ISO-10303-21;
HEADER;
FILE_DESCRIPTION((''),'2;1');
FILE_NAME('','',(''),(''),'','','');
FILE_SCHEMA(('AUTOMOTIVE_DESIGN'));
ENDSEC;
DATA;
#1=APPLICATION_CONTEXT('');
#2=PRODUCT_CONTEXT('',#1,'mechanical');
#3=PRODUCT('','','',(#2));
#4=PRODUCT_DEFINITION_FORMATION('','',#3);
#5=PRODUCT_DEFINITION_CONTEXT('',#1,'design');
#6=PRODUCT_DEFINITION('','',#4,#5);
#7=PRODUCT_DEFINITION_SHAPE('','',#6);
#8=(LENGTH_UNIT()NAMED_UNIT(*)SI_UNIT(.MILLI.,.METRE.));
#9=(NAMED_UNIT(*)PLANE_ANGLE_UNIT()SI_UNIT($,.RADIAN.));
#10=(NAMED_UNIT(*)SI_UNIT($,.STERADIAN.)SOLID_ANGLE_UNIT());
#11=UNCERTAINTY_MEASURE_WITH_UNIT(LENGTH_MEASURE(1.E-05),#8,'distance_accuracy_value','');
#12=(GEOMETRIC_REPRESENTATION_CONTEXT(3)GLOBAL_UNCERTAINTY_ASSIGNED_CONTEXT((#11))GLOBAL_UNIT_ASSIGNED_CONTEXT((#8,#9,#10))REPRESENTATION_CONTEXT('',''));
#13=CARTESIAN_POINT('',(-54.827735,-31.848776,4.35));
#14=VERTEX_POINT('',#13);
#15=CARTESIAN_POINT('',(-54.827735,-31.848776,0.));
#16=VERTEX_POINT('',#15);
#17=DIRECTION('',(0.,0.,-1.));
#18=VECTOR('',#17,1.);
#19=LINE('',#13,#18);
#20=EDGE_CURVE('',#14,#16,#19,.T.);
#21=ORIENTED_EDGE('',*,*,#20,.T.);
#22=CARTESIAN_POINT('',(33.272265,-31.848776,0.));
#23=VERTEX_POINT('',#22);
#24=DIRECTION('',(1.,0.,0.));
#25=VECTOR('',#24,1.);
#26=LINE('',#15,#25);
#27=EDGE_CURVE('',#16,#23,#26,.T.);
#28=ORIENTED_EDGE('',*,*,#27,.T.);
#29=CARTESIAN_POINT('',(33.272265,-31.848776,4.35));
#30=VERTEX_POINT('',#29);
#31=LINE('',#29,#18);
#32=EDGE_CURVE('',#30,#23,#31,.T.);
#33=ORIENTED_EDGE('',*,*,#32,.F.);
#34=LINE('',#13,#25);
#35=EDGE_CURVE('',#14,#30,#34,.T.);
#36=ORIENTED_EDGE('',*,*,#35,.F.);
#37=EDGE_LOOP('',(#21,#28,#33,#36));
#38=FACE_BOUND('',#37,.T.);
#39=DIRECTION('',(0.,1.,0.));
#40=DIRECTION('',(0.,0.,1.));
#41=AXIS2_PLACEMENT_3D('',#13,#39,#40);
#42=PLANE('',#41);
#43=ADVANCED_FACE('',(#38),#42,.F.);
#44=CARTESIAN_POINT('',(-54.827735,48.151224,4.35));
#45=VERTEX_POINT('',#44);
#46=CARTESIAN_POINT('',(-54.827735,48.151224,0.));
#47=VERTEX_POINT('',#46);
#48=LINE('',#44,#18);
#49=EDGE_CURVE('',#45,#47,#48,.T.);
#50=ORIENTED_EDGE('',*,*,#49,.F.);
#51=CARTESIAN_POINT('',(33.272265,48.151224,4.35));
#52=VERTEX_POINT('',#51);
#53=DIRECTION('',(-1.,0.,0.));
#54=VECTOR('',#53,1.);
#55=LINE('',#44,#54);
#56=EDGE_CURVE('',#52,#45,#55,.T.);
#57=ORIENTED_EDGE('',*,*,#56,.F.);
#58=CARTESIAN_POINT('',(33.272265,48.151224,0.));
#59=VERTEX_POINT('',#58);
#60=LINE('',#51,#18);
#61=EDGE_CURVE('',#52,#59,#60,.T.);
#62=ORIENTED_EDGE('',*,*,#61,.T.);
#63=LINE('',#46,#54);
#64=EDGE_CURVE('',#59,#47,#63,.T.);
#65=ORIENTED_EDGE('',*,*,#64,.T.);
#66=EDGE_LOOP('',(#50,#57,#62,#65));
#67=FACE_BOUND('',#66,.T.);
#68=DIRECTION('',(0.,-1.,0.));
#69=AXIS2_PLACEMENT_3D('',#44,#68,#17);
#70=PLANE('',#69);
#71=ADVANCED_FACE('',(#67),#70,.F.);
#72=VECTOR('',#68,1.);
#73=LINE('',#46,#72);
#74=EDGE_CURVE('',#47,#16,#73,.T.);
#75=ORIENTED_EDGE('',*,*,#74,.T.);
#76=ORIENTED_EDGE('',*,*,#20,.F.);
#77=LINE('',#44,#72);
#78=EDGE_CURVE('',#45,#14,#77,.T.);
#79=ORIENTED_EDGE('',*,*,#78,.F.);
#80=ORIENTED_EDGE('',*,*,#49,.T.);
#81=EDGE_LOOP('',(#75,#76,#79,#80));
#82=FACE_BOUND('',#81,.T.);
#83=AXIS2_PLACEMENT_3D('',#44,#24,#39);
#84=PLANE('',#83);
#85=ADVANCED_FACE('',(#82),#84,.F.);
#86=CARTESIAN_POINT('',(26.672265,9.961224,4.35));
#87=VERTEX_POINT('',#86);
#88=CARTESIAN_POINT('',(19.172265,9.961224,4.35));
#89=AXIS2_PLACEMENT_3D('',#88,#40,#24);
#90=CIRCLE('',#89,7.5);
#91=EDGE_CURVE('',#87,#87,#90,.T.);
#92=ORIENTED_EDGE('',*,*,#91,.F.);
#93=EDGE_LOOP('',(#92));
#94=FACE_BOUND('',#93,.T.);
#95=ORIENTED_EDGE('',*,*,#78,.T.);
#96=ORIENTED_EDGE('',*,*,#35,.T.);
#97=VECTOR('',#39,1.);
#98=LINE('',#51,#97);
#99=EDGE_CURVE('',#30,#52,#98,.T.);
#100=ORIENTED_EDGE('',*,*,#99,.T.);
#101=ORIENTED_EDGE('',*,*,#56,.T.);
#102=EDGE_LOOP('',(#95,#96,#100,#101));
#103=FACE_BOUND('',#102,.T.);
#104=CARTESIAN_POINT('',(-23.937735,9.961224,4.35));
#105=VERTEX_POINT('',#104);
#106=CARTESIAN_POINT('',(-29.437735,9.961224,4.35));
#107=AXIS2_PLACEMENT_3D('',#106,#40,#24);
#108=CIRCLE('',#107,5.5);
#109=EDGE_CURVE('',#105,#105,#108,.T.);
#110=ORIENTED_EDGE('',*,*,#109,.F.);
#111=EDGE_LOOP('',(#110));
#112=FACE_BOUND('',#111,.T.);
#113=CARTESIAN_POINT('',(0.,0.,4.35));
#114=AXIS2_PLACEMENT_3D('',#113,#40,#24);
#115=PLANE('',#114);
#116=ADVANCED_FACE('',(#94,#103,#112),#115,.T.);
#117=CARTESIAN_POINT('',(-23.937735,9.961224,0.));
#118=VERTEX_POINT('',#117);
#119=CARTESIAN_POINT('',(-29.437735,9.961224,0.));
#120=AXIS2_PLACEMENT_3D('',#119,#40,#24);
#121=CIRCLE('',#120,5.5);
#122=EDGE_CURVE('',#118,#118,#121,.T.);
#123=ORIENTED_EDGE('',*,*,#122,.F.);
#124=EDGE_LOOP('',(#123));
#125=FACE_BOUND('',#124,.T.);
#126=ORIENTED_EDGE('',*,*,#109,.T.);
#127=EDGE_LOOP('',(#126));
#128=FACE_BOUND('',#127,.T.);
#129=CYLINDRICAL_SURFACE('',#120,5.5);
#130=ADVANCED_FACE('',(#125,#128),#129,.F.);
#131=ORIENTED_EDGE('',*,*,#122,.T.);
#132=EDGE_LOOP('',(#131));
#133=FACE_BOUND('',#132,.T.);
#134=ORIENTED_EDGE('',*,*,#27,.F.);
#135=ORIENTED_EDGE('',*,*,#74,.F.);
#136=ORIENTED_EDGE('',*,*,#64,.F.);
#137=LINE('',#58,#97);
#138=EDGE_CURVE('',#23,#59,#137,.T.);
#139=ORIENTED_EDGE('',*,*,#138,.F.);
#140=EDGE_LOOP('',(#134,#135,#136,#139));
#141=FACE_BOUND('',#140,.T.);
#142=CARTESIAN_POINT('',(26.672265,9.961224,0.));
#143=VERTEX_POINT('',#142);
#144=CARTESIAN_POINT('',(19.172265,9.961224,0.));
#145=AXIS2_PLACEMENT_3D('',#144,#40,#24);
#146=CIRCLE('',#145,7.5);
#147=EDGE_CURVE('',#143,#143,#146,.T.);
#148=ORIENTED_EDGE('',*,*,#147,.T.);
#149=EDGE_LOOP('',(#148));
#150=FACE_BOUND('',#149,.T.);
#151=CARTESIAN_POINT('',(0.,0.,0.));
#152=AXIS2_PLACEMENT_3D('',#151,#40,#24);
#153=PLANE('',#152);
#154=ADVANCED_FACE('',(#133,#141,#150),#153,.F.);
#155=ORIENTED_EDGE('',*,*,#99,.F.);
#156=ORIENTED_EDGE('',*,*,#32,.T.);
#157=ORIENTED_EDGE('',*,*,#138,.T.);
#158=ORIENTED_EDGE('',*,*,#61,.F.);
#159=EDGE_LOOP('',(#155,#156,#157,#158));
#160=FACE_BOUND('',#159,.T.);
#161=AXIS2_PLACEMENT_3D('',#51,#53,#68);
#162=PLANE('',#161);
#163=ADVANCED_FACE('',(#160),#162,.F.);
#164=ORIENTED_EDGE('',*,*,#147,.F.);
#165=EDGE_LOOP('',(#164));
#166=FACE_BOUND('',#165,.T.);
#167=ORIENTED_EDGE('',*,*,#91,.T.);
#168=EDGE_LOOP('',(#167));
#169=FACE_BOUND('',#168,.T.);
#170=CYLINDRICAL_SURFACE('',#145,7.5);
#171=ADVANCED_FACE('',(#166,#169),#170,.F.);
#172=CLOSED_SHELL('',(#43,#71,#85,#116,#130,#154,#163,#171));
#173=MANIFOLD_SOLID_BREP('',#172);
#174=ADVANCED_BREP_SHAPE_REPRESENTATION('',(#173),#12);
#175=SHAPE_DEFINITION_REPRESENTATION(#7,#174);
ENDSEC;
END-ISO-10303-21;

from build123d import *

# Parameters (mm, degrees)
CROQUIS1_W              = 88.1
CROQUIS1_H              = 80
SALIENTE_EXTRUIR1_DEPTH = 4.35
CROQUIS2_R              = 7.5
CROQUIS2_R_2            = 5.5
CORTAR_EXTRUIR1_DEPTH   = 5.35


with BuildPart() as part:
    # Croquis1 → Saliente-Extruir1 (new body)
    with BuildSketch(Plane.XY):
        with Locations((-10.777735365, 8.151223582)):
            Rectangle(CROQUIS1_W, CROQUIS1_H)
    extrude(amount=SALIENTE_EXTRUIR1_DEPTH)

    # Croquis2 → Cortar-Extruir1 (cut, through all)
    with BuildSketch(Plane.XY.offset(4.35)):
        with Locations((19.172264635, 9.961223582)):
            Circle(CROQUIS2_R)
        with Locations((-29.437735365, 9.961223582)):
            Circle(CROQUIS2_R_2)
    extrude(amount=-CORTAR_EXTRUIR1_DEPTH, mode=Mode.SUBTRACT)


solid = part.part
